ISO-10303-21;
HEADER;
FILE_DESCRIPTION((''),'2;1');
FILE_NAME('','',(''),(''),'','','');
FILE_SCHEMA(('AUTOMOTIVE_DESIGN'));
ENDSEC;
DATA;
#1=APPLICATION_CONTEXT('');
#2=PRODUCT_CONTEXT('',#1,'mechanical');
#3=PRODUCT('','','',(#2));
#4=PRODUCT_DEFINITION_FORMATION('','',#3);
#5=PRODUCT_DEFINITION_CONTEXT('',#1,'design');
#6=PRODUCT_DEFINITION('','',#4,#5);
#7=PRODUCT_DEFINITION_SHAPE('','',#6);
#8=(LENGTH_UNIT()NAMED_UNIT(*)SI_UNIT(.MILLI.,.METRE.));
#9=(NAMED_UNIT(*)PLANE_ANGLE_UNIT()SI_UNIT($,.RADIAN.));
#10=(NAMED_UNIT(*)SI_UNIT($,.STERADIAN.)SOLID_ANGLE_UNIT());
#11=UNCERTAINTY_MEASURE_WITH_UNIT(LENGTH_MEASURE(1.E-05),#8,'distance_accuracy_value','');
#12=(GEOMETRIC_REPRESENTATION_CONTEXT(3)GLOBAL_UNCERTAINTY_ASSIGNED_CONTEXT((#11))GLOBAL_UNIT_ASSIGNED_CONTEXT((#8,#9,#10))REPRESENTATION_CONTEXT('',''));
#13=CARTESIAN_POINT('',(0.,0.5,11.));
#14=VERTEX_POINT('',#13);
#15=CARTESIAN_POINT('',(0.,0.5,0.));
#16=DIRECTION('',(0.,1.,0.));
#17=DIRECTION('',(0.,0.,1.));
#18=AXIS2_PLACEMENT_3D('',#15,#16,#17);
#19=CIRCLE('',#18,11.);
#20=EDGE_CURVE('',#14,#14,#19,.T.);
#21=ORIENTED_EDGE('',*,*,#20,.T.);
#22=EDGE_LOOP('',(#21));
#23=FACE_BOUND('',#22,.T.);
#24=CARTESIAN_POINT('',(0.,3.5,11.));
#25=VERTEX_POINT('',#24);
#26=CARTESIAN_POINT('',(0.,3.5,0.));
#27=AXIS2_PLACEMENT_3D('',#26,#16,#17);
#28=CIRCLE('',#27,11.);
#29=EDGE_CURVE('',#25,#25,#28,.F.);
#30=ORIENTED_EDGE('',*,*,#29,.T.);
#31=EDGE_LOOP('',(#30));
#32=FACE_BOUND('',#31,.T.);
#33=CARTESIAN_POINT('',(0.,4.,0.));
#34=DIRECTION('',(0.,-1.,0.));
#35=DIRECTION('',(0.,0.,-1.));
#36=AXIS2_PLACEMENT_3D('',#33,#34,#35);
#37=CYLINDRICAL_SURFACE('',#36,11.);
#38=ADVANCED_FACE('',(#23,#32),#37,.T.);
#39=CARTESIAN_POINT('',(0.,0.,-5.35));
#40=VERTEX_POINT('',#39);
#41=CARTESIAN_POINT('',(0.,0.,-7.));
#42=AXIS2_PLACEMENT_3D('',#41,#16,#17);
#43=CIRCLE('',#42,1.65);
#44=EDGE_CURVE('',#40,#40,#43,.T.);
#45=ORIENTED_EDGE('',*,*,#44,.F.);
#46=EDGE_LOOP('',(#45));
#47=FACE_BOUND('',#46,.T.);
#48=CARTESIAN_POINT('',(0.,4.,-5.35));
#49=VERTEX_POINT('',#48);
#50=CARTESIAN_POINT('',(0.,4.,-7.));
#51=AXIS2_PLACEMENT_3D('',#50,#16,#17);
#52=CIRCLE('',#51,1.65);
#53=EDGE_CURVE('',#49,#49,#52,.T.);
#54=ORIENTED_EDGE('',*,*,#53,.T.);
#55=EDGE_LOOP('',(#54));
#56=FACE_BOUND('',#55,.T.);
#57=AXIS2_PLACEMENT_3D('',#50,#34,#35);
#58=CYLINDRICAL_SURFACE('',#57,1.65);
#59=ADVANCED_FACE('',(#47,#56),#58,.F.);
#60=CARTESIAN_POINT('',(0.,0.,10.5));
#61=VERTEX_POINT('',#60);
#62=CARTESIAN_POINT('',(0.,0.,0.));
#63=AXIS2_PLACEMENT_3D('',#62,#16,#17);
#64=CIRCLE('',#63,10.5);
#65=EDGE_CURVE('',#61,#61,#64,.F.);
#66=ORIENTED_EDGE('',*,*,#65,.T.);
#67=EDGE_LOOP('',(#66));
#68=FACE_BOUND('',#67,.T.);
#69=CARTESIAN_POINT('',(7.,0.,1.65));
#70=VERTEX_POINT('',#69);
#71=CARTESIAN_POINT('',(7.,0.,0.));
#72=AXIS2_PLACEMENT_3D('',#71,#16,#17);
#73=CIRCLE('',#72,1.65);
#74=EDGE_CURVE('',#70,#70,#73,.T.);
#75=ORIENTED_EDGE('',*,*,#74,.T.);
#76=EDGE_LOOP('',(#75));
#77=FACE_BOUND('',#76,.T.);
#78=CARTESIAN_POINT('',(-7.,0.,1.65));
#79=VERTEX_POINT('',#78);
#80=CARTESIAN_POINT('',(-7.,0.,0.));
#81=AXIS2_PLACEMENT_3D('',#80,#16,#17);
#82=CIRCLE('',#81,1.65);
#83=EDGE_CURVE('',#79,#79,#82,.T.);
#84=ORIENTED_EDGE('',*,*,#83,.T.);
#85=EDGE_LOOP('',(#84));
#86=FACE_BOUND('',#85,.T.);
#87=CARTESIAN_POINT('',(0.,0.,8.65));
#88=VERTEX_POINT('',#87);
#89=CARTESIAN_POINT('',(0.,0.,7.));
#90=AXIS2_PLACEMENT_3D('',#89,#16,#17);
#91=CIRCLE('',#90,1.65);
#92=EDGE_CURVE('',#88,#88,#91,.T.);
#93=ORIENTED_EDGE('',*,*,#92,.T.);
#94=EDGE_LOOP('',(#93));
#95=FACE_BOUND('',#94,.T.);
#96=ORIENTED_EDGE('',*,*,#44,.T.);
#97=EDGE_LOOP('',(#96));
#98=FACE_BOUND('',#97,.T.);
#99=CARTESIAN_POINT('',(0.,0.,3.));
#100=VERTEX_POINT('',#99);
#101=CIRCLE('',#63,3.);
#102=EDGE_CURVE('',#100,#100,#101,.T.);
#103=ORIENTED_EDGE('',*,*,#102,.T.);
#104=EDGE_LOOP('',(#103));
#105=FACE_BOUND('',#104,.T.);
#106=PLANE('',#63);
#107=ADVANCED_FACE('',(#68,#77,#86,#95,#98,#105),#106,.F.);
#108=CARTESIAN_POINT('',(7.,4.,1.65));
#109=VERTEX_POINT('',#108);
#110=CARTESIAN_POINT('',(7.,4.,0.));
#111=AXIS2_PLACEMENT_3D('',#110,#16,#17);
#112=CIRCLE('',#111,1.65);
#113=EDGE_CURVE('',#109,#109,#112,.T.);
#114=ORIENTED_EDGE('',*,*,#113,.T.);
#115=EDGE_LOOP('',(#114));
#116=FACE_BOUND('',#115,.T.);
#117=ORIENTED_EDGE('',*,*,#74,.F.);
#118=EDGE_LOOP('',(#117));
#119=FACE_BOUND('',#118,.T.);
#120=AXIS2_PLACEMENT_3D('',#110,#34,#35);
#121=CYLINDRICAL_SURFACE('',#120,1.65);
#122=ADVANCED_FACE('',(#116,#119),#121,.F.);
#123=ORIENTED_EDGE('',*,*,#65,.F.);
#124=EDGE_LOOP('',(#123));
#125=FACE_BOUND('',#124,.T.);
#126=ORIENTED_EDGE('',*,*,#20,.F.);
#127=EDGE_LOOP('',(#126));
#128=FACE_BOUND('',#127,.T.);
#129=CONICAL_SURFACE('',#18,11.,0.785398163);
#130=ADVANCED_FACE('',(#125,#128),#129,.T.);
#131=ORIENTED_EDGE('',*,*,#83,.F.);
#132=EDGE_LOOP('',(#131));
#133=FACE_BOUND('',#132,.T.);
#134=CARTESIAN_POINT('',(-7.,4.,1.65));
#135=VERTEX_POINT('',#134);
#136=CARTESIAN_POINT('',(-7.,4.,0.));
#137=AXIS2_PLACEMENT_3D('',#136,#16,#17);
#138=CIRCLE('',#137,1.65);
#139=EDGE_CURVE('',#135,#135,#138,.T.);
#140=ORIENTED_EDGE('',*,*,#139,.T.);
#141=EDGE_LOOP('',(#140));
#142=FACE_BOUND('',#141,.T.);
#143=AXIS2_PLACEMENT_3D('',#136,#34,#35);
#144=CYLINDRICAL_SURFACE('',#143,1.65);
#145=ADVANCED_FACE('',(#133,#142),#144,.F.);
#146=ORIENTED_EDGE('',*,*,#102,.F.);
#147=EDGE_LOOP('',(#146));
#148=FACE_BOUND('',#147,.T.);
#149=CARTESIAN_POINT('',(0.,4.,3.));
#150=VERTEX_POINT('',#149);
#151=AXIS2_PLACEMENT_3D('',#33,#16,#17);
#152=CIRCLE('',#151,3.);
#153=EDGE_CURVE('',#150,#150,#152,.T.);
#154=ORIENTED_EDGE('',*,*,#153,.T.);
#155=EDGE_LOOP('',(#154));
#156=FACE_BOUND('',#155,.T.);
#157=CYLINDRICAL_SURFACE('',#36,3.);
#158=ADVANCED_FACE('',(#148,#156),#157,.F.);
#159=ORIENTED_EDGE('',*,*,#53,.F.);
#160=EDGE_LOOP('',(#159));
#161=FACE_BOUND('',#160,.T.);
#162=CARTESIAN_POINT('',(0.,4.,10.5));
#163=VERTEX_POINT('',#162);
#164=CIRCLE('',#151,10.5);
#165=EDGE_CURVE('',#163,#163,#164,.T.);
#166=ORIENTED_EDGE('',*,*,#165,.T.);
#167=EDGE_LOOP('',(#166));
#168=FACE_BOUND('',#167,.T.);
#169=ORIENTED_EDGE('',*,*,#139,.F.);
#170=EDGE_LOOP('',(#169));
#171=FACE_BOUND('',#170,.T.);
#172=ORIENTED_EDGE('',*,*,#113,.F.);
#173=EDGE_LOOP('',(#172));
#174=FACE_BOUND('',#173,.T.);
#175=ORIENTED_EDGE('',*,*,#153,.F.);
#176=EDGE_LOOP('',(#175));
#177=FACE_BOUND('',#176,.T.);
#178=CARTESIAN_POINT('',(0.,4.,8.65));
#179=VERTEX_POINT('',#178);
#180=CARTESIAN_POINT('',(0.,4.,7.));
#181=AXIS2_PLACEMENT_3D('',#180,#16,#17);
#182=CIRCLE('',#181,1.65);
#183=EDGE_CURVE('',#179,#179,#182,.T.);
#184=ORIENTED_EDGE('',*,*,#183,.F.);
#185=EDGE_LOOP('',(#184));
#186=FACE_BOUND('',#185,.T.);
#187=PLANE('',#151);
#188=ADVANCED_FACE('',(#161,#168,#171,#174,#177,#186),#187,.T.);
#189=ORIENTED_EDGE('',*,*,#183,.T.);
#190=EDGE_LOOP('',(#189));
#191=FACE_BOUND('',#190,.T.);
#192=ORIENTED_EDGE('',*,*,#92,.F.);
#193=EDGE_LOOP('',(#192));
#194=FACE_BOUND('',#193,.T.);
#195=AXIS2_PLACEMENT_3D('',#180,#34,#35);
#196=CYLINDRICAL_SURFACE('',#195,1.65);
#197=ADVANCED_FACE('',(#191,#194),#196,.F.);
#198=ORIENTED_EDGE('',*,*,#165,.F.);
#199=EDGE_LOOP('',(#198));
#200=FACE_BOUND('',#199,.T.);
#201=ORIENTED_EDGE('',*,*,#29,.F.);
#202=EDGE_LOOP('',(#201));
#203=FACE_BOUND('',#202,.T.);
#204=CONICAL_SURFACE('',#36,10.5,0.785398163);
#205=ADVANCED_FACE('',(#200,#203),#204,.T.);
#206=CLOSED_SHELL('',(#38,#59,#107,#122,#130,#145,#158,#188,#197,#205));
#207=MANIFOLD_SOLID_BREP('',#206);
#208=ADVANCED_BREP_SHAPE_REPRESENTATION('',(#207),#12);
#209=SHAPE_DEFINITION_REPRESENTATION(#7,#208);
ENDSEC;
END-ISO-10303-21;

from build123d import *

# Parameters (mm, degrees)
ESQUISSE1_R        = 11
ESQUISSE1_R_2      = 1.65
ESQUISSE1_R_3      = 3
BOSS_EXTRU_1_DEPTH = 4
CHANFREIN1_SIZE    = 0.5


with BuildPart() as part:
    # Esquisse1 → Boss.-Extru.1 (new body)
    with BuildSketch(Plane(origin=(0, 0, 0), x_dir=(1, 0, 0), z_dir=(0, 1, 0))):
        with Locations(Location((0, 0, 0), (0, 0, 270))):
            Circle(ESQUISSE1_R)
        with Locations(Location((0, 7, 0), (0, 0, 270))):
            Circle(ESQUISSE1_R_2, mode=Mode.SUBTRACT)
        with Locations(Location((7, 0, 0), (0, 0, 270))):
            Circle(ESQUISSE1_R_2, mode=Mode.SUBTRACT)
        with Locations(Location((0, -7, 0), (0, 0, 270))):
            Circle(ESQUISSE1_R_2, mode=Mode.SUBTRACT)
        with Locations(Location((-7, 0, 0), (0, 0, 270))):
            Circle(ESQUISSE1_R_2, mode=Mode.SUBTRACT)
        with Locations(Location((0, 0, 0), (0, 0, 270))):
            Circle(ESQUISSE1_R_3, mode=Mode.SUBTRACT)
    extrude(amount=BOSS_EXTRU_1_DEPTH)

    # Chanfrein1
    chanfrein1_edges = [part.edges().sort_by_distance(p)[0] for p in [
        (0, 0, -11),
        (0, 4, -11),
    ]]
    chamfer(chanfrein1_edges, length=CHANFREIN1_SIZE)


solid = part.part
